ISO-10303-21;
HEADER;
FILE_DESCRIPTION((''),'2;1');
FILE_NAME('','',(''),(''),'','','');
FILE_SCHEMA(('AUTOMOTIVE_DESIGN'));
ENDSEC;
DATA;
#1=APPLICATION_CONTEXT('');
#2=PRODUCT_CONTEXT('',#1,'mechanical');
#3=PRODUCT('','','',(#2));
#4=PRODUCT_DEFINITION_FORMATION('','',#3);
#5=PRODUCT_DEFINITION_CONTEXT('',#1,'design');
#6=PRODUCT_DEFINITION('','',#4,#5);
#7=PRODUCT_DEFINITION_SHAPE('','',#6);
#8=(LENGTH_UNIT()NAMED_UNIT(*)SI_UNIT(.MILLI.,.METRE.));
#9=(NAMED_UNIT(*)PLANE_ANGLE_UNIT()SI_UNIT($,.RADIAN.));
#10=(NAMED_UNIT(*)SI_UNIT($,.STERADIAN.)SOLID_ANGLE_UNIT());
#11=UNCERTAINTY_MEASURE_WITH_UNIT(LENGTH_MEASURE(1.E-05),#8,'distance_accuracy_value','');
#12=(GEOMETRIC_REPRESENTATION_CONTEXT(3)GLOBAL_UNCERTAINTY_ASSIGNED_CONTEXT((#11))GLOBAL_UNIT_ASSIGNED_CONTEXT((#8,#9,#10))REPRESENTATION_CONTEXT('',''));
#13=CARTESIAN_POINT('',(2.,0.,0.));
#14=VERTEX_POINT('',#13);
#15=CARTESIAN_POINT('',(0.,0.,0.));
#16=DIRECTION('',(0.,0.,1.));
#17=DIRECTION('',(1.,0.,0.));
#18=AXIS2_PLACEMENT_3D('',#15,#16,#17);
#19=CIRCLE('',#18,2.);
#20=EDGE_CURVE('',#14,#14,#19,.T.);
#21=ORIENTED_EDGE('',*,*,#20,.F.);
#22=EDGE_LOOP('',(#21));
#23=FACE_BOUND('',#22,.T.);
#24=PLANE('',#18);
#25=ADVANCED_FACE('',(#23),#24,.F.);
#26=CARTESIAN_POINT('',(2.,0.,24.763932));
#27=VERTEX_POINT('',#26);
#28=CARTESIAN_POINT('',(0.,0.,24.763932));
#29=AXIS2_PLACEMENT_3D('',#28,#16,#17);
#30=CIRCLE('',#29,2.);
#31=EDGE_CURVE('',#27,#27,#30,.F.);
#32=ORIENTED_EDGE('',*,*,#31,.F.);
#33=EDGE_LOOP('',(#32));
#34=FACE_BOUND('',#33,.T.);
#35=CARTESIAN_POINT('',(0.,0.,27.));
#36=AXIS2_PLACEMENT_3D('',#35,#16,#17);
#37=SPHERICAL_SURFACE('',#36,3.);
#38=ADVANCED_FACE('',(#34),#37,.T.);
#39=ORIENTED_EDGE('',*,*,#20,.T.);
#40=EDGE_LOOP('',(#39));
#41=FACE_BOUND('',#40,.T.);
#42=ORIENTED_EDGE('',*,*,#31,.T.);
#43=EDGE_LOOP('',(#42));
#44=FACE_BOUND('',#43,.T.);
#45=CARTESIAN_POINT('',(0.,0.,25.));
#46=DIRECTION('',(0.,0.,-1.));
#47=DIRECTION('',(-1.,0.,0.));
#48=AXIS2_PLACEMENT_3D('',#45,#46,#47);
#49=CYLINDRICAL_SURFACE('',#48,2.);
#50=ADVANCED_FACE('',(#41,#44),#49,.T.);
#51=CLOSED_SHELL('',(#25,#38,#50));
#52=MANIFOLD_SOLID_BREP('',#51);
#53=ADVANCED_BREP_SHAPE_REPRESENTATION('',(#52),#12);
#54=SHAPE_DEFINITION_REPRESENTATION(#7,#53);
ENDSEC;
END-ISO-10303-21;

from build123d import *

# Parameters (mm, degrees)
SCHIZZO1_R                   = 2
ESTRUSIONE_ESTRUSIONE1_DEPTH = 25


with BuildPart() as part:
    # Schizzo1 → Estrusione-Estrusione1 (new body)
    with BuildSketch(Plane.XY):
        Circle(SCHIZZO1_R)
    extrude(amount=ESTRUSIONE_ESTRUSIONE1_DEPTH)

    # Schizzo3 → Rivoluzione2 (revolve)
    with BuildSketch(Plane(origin=(0, 0, 0), x_dir=(1, 0, 0), z_dir=(0, 1, 0))):
        with BuildLine():
            Line((3, -27), (0, -27))
            Line((0, -27), (-3, -27))
            ThreePointArc((-3, -27), (0, -30), (3, -27))
        make_face()
    revolve(axis=Axis((-3.329008964, 0, 27), (1, 0, 0)))


solid = part.part
